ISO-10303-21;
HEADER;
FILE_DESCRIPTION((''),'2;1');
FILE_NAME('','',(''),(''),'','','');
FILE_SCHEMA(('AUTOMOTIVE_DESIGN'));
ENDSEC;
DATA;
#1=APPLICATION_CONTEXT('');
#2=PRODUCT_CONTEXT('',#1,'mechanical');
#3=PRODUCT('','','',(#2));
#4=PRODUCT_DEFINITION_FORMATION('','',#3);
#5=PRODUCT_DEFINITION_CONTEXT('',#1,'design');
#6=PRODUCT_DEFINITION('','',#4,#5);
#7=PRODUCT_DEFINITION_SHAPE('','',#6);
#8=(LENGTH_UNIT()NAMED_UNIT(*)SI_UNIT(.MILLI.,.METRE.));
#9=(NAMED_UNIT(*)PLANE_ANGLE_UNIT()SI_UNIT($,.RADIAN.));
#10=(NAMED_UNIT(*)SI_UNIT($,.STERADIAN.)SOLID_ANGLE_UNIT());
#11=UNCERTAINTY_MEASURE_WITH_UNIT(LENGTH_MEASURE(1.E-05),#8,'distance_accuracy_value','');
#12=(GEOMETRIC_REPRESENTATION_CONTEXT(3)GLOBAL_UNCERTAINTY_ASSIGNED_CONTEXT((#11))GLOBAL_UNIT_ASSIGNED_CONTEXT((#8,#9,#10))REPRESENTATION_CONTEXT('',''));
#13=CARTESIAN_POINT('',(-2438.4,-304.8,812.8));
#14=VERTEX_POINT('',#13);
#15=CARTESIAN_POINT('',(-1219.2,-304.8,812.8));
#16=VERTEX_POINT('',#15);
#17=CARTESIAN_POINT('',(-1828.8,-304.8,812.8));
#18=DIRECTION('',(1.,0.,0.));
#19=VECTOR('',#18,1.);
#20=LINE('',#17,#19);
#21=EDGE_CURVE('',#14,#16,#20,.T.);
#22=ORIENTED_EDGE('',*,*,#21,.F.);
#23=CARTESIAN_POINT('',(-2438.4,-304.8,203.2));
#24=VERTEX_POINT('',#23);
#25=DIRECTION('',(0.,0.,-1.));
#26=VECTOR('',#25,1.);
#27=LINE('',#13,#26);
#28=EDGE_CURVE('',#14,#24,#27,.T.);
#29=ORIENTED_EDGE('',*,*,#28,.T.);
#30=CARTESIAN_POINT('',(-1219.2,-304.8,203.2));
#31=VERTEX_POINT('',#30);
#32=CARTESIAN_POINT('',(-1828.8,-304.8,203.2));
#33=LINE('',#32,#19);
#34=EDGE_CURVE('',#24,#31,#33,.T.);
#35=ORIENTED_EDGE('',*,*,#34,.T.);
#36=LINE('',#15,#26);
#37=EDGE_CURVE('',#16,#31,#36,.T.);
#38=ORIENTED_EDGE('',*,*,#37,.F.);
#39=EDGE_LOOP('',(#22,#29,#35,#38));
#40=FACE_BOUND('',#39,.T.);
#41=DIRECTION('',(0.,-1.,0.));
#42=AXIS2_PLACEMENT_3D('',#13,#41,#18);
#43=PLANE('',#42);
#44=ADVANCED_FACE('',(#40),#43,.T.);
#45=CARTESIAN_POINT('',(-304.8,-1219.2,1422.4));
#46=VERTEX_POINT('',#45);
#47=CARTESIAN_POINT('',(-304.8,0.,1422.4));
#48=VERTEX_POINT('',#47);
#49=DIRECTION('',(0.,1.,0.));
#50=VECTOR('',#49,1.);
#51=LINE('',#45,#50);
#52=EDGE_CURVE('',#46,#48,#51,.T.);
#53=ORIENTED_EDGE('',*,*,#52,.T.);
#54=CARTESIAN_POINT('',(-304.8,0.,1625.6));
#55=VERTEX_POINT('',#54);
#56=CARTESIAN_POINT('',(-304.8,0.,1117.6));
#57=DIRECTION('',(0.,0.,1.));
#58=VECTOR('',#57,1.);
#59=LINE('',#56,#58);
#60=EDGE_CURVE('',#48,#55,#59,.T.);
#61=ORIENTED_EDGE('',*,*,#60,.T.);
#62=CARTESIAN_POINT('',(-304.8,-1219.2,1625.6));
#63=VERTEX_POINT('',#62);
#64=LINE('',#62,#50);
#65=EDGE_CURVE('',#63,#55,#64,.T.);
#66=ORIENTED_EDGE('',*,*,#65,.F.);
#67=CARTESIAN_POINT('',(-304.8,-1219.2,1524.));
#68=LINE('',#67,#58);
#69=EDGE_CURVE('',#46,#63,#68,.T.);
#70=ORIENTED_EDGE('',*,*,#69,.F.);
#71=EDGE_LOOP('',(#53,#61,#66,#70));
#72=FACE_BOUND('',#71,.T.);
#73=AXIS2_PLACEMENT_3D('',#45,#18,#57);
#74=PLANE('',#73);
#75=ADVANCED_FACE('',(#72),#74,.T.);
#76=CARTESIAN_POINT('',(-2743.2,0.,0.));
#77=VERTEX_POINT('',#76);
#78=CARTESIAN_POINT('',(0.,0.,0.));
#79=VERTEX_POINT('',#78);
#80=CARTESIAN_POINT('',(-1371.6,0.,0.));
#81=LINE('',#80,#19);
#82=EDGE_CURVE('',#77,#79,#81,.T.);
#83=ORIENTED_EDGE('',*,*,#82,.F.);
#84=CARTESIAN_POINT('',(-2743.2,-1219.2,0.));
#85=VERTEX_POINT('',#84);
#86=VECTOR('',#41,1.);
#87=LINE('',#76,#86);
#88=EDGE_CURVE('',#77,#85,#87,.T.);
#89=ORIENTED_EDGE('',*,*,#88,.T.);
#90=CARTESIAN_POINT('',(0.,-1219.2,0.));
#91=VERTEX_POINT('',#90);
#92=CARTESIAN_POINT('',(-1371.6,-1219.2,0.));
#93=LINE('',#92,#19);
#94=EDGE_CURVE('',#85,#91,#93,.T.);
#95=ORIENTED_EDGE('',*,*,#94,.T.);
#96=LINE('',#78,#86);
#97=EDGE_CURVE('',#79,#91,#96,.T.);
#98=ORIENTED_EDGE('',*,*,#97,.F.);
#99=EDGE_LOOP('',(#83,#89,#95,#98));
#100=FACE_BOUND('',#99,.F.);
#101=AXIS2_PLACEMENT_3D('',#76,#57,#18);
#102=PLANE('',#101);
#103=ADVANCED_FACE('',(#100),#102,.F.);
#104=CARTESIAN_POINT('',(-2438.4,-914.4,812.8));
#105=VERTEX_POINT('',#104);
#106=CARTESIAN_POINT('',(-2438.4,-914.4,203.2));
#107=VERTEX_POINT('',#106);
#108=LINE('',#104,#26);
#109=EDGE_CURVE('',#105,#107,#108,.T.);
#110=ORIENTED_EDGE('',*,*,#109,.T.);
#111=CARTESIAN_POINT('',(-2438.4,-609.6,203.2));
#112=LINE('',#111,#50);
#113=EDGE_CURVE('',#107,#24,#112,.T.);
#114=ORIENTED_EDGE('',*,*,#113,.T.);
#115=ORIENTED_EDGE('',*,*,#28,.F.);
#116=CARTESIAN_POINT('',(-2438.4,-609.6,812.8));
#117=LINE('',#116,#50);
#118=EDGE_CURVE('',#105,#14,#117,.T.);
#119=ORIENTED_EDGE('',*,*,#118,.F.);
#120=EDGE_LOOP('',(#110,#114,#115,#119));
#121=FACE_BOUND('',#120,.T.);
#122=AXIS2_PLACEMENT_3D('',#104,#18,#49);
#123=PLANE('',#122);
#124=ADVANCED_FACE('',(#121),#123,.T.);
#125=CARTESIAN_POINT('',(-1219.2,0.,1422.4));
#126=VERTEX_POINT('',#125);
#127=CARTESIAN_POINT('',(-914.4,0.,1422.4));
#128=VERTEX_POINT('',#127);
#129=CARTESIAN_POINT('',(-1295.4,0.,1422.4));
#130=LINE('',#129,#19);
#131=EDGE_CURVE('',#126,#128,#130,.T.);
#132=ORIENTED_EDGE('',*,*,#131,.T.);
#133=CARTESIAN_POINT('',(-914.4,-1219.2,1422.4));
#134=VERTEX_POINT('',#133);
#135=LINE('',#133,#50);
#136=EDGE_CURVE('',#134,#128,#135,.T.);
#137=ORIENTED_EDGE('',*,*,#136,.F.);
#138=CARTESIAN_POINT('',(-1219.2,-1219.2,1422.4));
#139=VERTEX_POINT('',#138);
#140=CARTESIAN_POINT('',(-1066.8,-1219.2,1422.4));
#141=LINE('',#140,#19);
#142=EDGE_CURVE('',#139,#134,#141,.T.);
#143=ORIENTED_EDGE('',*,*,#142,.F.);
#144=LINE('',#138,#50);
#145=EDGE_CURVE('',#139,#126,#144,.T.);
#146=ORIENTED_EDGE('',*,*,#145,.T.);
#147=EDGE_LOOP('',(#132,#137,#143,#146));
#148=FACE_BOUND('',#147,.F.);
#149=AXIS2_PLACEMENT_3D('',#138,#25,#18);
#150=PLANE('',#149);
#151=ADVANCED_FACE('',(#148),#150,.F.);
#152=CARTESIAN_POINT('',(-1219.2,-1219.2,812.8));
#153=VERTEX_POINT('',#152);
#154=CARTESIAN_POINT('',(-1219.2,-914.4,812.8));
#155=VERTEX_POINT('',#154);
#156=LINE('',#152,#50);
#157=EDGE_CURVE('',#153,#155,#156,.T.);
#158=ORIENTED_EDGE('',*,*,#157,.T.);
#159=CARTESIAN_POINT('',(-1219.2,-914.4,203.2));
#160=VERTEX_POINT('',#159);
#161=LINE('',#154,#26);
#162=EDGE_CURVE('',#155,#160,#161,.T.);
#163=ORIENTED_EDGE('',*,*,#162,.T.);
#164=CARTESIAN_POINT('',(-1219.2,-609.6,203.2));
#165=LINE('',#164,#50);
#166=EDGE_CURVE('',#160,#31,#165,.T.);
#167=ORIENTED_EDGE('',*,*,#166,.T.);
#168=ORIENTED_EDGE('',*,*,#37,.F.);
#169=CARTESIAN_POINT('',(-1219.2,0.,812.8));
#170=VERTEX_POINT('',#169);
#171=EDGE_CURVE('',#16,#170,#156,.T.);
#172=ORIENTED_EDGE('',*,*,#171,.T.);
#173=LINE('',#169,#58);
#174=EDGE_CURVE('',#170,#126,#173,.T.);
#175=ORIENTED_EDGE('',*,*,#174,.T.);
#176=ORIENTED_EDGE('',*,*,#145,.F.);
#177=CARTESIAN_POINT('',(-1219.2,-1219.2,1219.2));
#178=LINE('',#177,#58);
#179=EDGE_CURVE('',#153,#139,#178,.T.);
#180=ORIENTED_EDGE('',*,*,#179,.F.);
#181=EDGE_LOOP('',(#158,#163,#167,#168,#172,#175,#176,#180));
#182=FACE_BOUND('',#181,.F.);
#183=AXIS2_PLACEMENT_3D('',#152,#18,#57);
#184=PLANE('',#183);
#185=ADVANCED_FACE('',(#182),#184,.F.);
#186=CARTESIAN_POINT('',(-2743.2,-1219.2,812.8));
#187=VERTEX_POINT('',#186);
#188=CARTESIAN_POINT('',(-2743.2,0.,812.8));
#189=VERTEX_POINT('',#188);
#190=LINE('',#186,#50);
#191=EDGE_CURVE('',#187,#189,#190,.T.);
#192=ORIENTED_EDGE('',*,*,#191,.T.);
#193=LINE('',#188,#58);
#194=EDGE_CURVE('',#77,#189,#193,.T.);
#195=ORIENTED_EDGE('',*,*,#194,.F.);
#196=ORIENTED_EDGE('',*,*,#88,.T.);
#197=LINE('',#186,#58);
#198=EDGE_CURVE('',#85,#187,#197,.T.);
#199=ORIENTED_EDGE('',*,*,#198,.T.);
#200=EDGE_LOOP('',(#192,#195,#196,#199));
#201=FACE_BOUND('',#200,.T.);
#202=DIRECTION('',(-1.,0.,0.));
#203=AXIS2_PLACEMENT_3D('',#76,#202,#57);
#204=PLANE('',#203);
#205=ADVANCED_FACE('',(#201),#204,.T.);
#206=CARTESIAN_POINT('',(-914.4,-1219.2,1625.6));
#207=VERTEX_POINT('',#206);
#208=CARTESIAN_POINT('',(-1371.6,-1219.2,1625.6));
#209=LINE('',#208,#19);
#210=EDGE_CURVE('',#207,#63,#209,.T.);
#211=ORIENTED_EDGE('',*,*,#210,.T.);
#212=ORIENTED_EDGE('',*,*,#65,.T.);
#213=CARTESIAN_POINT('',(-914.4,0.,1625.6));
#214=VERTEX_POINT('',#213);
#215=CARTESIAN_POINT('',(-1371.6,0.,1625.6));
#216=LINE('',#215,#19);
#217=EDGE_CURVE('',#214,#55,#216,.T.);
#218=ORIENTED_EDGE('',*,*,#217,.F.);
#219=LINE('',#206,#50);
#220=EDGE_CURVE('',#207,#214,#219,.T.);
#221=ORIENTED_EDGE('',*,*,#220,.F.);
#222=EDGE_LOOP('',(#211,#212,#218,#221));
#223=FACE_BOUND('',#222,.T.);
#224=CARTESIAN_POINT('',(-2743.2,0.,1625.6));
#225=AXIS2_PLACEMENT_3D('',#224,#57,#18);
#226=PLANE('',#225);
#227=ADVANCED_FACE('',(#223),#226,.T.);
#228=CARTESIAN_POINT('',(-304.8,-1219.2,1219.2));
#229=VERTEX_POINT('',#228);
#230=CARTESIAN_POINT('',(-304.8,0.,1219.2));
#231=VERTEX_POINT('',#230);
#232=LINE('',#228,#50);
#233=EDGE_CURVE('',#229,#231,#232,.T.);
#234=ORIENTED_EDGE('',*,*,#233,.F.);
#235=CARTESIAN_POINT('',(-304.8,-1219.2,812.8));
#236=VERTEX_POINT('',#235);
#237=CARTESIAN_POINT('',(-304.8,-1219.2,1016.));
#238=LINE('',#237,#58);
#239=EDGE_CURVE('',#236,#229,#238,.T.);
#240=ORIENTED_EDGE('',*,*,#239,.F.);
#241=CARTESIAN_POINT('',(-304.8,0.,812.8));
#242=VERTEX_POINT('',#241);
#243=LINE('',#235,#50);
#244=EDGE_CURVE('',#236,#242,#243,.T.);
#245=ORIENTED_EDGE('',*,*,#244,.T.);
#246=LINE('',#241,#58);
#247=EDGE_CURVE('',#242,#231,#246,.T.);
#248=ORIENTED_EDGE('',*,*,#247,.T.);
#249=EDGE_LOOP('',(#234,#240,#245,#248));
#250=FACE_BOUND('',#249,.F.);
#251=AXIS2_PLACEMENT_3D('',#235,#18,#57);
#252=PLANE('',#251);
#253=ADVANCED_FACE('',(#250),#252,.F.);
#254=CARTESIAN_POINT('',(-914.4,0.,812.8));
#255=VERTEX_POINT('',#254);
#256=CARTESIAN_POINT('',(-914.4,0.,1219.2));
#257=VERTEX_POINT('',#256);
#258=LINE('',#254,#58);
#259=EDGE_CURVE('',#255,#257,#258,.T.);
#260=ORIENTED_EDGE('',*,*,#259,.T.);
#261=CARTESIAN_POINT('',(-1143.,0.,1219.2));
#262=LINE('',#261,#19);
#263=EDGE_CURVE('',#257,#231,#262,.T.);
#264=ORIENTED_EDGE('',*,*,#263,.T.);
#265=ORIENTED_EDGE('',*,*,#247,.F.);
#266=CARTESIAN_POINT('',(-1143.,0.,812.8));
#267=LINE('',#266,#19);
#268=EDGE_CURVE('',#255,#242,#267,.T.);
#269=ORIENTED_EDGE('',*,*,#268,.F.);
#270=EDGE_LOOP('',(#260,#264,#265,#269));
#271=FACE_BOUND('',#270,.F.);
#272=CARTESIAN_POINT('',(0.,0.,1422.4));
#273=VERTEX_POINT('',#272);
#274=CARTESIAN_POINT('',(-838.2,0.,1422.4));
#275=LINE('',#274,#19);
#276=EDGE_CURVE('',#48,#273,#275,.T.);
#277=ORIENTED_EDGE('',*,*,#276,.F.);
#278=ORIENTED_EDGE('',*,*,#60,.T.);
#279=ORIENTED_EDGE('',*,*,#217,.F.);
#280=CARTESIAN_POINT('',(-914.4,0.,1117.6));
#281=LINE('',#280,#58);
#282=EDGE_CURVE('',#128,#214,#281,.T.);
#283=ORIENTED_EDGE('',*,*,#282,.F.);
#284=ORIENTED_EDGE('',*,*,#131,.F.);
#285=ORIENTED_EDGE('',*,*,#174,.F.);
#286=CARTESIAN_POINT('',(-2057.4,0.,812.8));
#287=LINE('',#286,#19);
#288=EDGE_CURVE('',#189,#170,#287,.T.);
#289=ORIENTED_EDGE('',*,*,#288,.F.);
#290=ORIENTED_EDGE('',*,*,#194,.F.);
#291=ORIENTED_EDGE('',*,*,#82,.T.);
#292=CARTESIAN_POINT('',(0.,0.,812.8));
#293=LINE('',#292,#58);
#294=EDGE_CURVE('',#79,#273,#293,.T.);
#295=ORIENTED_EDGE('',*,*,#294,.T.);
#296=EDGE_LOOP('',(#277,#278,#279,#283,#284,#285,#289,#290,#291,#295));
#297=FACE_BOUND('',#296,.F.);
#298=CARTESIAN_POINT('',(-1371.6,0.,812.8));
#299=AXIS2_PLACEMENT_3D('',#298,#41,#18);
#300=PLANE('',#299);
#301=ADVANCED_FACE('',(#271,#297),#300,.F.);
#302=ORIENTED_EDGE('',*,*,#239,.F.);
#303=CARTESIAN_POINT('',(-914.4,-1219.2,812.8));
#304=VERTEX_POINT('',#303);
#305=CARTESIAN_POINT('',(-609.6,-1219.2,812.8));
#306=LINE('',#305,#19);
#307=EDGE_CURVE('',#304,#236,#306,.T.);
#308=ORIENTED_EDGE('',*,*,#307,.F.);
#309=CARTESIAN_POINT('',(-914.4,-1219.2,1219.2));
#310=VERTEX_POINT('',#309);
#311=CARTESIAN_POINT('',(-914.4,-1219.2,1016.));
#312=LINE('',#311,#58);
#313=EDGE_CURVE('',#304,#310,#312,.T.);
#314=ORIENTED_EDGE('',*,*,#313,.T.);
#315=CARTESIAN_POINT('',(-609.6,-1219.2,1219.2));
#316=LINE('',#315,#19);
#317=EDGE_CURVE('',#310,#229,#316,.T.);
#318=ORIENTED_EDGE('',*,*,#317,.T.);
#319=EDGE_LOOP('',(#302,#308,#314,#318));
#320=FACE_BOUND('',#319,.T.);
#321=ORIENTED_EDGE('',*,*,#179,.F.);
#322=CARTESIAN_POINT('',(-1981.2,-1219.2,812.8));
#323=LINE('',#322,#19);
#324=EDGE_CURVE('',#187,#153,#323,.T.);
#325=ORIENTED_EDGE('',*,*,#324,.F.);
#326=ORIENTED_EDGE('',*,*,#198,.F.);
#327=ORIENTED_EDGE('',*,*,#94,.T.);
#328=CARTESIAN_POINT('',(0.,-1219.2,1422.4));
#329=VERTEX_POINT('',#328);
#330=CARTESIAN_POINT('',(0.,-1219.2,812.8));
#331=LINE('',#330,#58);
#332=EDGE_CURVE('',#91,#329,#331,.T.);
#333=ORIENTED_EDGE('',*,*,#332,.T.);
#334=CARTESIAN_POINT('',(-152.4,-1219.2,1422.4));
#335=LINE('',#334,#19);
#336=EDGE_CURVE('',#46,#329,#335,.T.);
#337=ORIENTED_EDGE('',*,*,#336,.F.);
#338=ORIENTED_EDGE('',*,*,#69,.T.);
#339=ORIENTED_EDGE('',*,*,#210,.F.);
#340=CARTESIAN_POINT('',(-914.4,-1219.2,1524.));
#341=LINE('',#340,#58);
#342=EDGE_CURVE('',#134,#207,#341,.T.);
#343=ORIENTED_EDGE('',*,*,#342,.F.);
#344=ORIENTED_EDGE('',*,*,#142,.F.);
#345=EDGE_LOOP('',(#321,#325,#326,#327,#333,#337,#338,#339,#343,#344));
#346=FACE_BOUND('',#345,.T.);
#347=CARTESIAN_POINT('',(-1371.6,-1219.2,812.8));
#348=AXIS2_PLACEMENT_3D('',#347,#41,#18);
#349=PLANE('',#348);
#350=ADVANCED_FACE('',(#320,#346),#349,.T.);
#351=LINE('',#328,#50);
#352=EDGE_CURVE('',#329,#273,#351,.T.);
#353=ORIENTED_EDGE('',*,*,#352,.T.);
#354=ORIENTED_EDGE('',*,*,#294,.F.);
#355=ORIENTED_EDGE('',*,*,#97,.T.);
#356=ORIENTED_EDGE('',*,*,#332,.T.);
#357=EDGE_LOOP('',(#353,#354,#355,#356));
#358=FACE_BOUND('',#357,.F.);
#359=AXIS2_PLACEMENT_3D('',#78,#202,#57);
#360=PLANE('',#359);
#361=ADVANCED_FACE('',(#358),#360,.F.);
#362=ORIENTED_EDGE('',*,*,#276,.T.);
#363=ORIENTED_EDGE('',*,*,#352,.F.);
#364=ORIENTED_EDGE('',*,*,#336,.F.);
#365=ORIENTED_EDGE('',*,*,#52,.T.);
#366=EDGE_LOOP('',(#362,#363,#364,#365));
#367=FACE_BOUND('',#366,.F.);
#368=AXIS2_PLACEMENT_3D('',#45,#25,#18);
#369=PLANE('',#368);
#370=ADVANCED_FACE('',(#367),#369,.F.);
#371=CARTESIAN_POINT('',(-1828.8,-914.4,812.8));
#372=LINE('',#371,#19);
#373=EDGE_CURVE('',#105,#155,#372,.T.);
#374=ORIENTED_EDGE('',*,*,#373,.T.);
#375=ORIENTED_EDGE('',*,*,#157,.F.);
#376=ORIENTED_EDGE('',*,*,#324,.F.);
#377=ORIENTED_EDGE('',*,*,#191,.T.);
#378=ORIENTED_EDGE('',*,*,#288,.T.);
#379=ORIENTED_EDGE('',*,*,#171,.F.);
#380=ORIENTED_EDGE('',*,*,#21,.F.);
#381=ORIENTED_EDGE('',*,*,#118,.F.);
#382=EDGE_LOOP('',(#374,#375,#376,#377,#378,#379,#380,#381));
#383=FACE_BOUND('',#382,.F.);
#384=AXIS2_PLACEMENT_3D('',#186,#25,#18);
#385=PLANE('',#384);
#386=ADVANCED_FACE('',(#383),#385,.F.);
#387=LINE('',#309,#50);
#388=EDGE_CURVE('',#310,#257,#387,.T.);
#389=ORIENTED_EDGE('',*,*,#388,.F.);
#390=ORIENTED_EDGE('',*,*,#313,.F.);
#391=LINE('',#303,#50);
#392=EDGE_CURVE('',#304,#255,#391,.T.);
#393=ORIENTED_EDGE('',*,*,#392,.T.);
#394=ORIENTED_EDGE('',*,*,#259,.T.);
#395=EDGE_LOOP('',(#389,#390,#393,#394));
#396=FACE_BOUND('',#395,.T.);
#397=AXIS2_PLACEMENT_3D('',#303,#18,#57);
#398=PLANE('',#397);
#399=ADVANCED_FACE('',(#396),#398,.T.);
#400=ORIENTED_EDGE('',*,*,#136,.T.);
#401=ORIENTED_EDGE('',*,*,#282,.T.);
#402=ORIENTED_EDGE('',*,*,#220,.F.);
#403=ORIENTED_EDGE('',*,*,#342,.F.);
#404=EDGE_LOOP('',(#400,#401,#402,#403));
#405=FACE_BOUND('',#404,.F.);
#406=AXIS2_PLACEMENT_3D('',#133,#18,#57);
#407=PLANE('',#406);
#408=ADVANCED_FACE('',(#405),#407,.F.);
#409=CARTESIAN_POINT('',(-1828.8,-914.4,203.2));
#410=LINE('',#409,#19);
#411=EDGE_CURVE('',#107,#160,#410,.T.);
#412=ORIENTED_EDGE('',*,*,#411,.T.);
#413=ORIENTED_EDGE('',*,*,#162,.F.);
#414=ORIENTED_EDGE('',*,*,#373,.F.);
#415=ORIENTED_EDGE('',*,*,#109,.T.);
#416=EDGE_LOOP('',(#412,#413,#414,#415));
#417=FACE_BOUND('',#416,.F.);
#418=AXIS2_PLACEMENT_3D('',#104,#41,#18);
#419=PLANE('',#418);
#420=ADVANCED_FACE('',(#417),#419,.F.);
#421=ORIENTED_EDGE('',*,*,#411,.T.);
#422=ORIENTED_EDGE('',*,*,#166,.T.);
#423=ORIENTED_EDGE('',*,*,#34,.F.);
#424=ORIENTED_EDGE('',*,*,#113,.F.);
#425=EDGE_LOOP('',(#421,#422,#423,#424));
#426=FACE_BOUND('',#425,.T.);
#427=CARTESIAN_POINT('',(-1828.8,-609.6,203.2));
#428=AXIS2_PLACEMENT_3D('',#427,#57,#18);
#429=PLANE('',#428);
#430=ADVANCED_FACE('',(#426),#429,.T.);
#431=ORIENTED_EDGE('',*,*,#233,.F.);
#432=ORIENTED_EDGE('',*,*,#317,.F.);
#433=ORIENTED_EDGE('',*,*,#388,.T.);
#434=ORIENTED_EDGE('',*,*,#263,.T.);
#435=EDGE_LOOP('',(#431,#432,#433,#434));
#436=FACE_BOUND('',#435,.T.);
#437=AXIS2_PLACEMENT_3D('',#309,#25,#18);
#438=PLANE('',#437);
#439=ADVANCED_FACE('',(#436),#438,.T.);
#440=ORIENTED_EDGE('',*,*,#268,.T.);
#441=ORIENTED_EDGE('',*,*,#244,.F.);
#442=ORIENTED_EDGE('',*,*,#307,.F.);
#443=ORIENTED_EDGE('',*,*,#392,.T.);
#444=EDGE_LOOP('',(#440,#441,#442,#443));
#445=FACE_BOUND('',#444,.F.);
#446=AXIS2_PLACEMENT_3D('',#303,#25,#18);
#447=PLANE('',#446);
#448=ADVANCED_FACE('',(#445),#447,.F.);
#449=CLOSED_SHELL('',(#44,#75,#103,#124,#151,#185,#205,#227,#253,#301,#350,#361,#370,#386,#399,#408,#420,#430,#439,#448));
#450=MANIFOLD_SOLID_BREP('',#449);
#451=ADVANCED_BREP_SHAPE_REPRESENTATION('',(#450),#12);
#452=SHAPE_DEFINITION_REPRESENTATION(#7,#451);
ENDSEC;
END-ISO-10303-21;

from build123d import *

# Parameters (mm, degrees)
F0_W      = 2743.2
F0_H      = 1625.6
F1_DEPTH  = 1219.2
F2_W      = 1524
F2_H      = 812.8
F3_DEPTH  = 1219.201
F4_W      = 304.8
F4_H      = 203.2
F5_DEPTH  = 1219.201
F6_W      = 304.8
F6_H      = 203.2
F7_DEPTH  = 1219.201
F8_W      = 609.6
F8_H      = 406.4
F9_DEPTH  = 1219.201
F10_W     = 1219.2
F10_H     = 609.6
F11_DEPTH = 609.6


with BuildPart() as f1:
    # F0 (on Front) → F1 (new body)
    with BuildSketch(Plane.XZ):
        with Locations((-1371.6, 812.8)):
            Rectangle(F0_W, F0_H)
    extrude(amount=F1_DEPTH)

    # F2 (on face) → F3 (cut, through all)
    with BuildSketch(Plane.XZ.offset(1219.2)):
        with Locations((-1981.2, 1219.2)):
            Rectangle(F2_W, F2_H)
    extrude(amount=-F3_DEPTH, mode=Mode.SUBTRACT)

    # F4 (on face) → F5 (cut, through all)
    with BuildSketch(Plane.XZ.offset(1219.2)):
        with Locations((-1066.8, 1524)):
            Rectangle(F4_W, F4_H)
    extrude(amount=-F5_DEPTH, mode=Mode.SUBTRACT)

    # F6 (on face) → F7 (cut, through all)
    with BuildSketch(Plane.XZ.offset(1219.2)):
        with Locations((-152.4, 1524)):
            Rectangle(F6_W, F6_H)
    extrude(amount=-F7_DEPTH, mode=Mode.SUBTRACT)

    # F8 (on face) → F9 (cut, through all)
    with BuildSketch(Plane.XZ.offset(1219.2)):
        with Locations((-609.6, 1016)):
            Rectangle(F8_W, F8_H)
    extrude(amount=-F9_DEPTH, mode=Mode.SUBTRACT)

    # F10 (on face) → F11 (cut)
    with BuildSketch(Plane.XY.offset(812.8)):
        with Locations((-1828.8, -609.6)):
            Rectangle(F10_W, F10_H)
    extrude(amount=-F11_DEPTH, mode=Mode.SUBTRACT)


solid = f1.part
